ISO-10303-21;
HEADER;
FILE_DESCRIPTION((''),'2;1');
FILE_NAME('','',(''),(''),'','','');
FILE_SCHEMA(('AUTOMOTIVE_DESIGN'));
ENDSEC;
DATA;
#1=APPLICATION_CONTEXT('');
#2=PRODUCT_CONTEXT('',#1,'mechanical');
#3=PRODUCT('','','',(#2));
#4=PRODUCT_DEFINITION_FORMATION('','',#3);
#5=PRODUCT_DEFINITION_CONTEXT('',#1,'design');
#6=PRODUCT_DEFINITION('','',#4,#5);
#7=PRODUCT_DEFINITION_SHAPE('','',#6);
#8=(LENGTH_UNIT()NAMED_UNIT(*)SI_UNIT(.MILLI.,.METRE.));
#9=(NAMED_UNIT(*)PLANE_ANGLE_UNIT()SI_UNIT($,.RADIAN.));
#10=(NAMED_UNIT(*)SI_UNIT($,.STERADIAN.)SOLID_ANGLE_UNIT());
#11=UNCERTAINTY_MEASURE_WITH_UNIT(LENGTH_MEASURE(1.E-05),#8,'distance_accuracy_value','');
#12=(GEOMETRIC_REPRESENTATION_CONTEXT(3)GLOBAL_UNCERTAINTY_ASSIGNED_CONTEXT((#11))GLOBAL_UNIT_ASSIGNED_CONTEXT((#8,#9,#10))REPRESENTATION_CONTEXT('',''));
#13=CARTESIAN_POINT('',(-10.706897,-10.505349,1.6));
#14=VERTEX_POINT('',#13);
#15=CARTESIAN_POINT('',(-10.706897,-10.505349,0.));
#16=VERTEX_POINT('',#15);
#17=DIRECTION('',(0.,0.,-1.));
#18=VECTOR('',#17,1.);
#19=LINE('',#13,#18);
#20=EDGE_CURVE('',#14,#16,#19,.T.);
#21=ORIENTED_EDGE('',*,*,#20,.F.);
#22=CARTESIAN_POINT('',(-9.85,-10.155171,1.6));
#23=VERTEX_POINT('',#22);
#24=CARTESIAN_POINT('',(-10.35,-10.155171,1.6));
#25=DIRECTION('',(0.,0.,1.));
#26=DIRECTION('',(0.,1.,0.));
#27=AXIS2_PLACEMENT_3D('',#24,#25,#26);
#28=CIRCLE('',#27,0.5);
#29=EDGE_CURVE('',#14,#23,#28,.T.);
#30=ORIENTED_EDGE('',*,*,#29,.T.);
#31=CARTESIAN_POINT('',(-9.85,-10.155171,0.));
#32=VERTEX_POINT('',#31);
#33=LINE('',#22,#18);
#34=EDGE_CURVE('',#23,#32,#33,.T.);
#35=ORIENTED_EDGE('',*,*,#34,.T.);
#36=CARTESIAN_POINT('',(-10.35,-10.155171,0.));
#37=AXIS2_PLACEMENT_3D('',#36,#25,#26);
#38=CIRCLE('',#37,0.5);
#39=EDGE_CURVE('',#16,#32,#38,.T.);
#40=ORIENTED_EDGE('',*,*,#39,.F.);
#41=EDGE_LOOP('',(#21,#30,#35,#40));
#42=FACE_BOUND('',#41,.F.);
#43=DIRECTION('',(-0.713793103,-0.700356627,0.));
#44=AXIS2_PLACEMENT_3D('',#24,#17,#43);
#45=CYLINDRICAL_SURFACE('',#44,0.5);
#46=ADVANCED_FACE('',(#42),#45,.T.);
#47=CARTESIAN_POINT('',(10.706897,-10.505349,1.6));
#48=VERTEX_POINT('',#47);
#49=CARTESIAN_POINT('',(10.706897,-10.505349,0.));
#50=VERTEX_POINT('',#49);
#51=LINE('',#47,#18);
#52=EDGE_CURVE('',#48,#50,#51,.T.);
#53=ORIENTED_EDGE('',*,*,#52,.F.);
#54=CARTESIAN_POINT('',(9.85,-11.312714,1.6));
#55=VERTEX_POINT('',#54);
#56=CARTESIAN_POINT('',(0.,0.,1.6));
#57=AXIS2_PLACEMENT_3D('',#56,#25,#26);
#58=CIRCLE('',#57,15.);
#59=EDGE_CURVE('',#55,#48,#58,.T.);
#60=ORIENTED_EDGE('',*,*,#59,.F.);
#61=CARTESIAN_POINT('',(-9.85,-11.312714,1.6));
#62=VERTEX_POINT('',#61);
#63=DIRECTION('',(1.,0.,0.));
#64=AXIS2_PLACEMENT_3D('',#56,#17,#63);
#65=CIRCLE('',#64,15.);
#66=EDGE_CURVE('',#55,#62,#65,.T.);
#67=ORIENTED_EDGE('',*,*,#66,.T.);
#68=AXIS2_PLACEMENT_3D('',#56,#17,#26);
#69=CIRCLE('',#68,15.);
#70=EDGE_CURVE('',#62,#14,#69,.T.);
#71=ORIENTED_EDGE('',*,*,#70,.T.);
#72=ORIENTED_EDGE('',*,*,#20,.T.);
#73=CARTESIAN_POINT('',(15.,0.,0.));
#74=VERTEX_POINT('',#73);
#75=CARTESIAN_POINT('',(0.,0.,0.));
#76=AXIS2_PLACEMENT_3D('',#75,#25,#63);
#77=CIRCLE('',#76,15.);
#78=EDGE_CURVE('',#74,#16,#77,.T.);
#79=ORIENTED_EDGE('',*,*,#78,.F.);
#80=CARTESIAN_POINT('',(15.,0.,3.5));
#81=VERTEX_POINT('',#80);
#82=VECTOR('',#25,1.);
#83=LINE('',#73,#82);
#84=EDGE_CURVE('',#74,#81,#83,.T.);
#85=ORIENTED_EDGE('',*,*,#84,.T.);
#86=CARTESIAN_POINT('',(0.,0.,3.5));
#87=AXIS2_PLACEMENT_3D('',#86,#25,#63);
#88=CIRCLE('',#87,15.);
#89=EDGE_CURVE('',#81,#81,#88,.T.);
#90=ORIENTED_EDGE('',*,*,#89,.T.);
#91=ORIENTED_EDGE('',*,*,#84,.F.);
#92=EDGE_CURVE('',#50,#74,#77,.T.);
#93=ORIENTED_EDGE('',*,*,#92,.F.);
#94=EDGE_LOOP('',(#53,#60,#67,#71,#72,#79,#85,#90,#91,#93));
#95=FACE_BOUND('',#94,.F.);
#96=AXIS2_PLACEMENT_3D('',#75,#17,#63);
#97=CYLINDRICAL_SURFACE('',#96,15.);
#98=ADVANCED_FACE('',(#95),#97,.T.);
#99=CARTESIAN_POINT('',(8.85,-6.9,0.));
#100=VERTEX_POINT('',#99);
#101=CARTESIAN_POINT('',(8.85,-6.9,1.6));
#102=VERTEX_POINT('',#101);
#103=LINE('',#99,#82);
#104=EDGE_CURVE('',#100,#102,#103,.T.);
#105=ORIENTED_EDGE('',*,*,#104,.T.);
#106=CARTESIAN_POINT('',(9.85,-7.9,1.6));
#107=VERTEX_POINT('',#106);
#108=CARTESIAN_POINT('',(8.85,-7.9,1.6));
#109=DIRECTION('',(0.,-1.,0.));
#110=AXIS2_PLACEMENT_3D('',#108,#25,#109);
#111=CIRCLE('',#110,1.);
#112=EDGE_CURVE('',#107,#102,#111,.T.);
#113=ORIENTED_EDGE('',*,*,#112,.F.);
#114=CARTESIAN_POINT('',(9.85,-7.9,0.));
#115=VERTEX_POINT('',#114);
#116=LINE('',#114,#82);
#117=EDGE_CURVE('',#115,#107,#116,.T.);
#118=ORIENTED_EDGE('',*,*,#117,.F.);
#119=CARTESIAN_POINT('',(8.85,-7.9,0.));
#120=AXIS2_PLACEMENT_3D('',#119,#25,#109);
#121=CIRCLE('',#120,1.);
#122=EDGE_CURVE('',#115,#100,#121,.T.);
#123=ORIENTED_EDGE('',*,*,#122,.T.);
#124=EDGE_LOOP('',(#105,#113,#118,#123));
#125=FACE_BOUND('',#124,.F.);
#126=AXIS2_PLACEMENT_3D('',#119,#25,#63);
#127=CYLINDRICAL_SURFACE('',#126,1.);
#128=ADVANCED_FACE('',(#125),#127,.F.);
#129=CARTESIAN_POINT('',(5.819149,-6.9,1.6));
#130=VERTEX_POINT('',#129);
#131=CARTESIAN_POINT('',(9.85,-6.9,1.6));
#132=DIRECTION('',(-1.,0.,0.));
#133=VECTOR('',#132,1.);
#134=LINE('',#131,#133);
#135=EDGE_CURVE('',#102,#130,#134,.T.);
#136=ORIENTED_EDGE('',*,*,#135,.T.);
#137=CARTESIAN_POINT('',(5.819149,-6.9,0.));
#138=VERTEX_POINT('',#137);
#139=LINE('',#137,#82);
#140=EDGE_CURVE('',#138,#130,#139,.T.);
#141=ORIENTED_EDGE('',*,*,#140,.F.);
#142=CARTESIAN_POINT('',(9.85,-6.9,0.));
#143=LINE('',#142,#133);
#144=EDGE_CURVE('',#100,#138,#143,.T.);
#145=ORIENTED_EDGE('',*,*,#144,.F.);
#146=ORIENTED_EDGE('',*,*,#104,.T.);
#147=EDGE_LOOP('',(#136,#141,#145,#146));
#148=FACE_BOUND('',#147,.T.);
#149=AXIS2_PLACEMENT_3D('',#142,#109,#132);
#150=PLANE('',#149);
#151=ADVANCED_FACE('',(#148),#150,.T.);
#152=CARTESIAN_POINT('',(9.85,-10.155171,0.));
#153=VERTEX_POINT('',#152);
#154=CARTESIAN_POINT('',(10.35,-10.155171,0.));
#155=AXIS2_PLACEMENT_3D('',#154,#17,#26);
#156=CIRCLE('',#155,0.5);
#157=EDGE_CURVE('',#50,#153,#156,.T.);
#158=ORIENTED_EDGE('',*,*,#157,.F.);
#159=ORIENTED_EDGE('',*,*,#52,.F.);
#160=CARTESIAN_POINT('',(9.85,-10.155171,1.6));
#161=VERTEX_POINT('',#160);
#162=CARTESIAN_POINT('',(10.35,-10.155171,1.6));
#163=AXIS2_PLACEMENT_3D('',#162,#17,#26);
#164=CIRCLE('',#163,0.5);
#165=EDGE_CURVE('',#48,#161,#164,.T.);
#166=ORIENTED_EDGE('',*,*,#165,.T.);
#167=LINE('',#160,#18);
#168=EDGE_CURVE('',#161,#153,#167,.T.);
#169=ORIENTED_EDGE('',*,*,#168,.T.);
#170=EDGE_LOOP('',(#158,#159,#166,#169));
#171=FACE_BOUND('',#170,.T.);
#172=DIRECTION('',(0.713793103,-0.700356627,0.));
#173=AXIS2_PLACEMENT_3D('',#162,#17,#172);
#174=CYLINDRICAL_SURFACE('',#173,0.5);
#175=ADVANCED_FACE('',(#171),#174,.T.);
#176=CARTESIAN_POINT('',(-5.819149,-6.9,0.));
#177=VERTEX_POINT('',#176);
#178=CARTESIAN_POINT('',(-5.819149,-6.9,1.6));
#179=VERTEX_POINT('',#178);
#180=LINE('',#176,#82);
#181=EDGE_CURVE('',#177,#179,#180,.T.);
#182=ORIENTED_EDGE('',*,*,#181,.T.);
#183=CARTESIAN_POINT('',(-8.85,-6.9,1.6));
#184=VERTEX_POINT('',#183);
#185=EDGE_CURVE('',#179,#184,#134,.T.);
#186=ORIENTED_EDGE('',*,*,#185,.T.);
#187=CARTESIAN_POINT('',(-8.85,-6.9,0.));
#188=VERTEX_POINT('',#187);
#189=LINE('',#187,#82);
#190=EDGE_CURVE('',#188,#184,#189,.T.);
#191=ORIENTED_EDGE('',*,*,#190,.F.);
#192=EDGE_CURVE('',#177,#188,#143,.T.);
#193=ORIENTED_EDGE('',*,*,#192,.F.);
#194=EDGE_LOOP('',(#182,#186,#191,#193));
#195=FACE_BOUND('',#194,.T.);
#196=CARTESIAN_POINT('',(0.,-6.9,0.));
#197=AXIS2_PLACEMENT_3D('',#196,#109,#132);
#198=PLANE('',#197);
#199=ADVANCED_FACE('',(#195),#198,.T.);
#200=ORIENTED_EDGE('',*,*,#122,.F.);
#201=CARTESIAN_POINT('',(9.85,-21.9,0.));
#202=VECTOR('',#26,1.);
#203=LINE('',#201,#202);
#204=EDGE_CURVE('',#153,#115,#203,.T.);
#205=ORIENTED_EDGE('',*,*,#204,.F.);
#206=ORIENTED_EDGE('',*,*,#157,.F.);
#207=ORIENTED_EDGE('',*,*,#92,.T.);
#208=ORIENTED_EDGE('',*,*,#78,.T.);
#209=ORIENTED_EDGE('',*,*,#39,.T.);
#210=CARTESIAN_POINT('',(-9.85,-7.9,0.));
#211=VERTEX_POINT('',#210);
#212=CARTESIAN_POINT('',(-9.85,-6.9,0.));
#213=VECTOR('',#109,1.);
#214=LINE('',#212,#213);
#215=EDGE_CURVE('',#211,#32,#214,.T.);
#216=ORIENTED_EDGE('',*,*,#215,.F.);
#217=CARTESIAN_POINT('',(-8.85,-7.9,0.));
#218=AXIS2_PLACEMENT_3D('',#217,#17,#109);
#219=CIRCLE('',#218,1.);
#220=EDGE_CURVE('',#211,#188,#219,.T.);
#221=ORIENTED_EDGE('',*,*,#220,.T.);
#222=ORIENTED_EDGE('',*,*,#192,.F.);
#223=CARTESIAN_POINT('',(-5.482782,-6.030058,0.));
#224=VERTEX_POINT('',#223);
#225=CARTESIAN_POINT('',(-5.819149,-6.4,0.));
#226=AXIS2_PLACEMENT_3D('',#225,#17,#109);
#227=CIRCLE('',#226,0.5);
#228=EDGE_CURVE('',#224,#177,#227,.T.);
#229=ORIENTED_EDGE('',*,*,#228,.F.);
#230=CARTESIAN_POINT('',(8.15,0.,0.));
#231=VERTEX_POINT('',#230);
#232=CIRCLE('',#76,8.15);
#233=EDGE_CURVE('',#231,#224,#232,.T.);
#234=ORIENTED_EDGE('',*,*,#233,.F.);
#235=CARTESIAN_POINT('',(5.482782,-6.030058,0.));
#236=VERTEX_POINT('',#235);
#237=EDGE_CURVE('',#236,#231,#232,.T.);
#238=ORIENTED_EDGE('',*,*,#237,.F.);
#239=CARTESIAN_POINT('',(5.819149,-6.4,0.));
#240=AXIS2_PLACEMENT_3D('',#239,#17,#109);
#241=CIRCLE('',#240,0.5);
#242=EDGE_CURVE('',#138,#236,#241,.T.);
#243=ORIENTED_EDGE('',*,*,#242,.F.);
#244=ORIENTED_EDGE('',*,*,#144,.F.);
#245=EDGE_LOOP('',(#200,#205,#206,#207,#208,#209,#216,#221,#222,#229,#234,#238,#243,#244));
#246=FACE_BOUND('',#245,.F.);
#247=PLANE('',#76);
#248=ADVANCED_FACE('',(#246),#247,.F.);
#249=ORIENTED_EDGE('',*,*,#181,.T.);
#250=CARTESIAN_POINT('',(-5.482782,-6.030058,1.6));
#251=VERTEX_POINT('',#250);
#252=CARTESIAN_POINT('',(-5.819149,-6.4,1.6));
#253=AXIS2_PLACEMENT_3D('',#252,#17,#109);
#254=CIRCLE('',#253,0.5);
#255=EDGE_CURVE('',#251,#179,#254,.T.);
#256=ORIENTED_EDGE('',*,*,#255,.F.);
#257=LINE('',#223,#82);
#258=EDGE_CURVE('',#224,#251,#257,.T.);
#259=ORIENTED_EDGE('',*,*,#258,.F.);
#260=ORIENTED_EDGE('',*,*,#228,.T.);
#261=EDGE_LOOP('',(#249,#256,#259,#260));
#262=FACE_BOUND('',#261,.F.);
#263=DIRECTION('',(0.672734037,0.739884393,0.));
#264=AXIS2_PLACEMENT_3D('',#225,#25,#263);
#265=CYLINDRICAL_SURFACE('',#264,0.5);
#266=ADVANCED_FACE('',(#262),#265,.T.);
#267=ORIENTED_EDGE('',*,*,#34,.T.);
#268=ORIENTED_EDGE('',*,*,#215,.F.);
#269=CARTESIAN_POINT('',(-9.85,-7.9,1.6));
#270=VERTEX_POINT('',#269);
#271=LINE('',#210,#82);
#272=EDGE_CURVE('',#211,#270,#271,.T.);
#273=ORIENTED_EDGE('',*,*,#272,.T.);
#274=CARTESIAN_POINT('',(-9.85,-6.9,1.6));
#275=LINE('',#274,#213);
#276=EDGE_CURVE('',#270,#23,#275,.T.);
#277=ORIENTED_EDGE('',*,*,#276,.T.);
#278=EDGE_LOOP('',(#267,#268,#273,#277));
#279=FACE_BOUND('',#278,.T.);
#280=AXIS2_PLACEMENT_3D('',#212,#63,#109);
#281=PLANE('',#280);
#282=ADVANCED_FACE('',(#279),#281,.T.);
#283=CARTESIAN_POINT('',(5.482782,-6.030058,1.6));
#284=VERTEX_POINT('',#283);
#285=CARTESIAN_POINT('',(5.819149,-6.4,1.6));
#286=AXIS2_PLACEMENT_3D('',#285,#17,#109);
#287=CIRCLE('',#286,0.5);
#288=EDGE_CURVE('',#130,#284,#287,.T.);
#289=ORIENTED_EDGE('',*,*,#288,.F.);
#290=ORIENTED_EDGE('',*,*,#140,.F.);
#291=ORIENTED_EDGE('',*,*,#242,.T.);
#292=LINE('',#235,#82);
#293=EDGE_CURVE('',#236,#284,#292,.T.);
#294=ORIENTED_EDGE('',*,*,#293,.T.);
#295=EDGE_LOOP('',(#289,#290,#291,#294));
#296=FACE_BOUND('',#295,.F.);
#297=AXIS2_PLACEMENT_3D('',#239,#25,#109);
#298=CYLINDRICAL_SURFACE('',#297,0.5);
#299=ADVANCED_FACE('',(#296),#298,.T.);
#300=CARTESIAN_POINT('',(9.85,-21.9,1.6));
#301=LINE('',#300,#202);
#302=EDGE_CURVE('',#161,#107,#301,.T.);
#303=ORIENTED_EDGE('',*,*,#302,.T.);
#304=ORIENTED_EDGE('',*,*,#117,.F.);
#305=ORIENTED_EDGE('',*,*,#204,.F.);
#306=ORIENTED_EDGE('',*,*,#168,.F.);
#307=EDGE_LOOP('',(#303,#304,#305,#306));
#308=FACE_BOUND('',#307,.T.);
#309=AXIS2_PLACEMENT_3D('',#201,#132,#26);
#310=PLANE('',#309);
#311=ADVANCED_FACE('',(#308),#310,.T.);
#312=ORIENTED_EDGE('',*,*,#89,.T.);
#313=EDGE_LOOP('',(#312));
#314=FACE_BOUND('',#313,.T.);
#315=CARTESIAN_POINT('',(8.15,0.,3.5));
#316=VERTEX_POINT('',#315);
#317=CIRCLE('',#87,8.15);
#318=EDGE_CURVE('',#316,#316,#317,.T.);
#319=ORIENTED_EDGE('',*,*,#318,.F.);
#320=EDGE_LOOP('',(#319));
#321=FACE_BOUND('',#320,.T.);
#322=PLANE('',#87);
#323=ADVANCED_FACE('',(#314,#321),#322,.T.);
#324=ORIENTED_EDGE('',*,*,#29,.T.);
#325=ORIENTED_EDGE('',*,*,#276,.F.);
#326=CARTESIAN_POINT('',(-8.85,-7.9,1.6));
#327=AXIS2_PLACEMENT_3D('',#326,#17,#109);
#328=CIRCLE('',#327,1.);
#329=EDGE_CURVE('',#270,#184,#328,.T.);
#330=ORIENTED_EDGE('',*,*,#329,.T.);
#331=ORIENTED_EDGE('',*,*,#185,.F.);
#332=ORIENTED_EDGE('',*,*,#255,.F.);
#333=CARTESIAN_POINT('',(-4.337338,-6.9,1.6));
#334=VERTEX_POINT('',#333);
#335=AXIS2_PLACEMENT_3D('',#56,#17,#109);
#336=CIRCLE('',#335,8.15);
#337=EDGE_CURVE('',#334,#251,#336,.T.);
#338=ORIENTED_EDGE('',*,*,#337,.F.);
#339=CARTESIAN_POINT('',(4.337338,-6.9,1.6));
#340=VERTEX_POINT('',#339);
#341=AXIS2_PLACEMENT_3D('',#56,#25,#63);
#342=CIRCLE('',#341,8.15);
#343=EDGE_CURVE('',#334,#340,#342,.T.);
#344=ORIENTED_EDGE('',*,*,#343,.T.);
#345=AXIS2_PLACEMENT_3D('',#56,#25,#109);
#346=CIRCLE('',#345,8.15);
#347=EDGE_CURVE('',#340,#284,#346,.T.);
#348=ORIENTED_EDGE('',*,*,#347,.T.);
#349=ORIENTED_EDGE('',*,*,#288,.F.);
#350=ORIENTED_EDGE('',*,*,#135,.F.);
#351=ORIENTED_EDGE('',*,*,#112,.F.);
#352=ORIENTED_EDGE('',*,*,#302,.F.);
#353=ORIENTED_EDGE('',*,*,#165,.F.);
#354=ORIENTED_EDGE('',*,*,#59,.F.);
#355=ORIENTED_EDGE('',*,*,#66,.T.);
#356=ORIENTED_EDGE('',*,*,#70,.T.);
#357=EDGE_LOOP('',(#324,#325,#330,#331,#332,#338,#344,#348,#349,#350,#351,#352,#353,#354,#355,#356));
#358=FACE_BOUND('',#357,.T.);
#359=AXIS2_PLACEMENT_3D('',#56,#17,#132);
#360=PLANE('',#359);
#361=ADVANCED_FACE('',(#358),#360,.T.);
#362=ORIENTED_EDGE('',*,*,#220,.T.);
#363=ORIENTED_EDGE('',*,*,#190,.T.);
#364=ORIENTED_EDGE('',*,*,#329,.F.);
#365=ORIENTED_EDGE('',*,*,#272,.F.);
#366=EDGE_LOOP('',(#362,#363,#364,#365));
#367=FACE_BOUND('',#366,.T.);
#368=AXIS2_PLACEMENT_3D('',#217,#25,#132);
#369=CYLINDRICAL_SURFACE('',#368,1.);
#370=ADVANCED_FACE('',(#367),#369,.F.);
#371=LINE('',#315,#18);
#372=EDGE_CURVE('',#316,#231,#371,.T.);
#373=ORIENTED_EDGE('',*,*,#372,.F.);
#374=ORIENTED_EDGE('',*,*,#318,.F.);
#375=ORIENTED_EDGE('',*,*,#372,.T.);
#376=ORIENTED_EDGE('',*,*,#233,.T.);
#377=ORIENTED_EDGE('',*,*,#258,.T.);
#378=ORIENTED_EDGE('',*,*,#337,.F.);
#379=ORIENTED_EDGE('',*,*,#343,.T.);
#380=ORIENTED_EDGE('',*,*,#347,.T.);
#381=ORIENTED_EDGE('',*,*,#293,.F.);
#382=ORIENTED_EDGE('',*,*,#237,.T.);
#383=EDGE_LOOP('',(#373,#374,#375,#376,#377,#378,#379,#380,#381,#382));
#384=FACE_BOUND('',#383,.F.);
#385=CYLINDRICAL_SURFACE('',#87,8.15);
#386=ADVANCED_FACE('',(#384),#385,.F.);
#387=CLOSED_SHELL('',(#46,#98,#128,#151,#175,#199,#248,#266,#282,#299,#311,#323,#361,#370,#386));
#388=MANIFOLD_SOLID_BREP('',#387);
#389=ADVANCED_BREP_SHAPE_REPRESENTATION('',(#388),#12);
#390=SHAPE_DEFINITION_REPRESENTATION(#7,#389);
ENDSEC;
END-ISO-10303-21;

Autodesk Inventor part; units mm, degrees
ref_plane "YZ Plane" through (0, 0, 0) normal (1, 0, 0) x (0, 1, 0)
ref_plane "XZ Plane" through (0, 0, 0) normal (0, 1, 0) x (-1, 0, 0)
ref_plane "XY Plane" through (0, 0, 0) normal (0, 0, 1) x (1, 0, 0)
sketch "スケッチ1" plane through (0, 0, 0) normal (0, 0, 1) x (1, 0, 0)
  circle A0 centre (0, 0) radius 15
  dimension "d0" = 30
extrude "押し出し1" add sketch "スケッチ1" along normal blind 3.5
sketch "スケッチ2" plane through (0, 0, 3.5) normal (0, 0, 1) x (1, 0, 0)
  circle A0 centre (0, 0) radius 4.05
  dimension "d3" = 8.1
extrude "押し出し2" cut sketch "スケッチ2" against normal through all
sketch "スケッチ3" plane through (0, 0, 3.5) normal (0, 0, 1) x (1, 0, 0)
  circle A0 centre (0, 0) radius 8.15
  dimension "d6" = 16.3
extrude "押し出し3" cut sketch "スケッチ3" against normal through all
sketch "スケッチ4" plane through (0, 0, 0) normal (0, 0, -1) x (-1, 0, 0)
  line L0 (-9.85, -6.9) -> (9.85, -6.9)
  line L1 (9.85, -6.9) -> (9.85, -21.9)
  line L2 (9.85, -21.9) -> (-9.85, -21.9)
  line L3 (-9.85, -21.9) -> (-9.85, -6.9)
  line L4 (0, -6.9) -> (0, 0)
  dimension "d9" = 19.7
  dimension "d10" = 6.9
  dimension "d11" = 15
extrude "押し出し4" cut sketch "スケッチ4" against normal blind 1.6
fillet "フィレット2" radius 0.5 4 edges at (4.3373, -6.9, 0.8) (-4.3373, -6.9, 0.8) (9.85, -11.3127, 0.8) (-9.85, -11.3127, 0.8)
fillet "フィレット3" radius 1 2 edges at (-9.85, -6.9, 0.8) (9.85, -6.9, 0.8)
properties part number "ヨー軸スペーサ"
